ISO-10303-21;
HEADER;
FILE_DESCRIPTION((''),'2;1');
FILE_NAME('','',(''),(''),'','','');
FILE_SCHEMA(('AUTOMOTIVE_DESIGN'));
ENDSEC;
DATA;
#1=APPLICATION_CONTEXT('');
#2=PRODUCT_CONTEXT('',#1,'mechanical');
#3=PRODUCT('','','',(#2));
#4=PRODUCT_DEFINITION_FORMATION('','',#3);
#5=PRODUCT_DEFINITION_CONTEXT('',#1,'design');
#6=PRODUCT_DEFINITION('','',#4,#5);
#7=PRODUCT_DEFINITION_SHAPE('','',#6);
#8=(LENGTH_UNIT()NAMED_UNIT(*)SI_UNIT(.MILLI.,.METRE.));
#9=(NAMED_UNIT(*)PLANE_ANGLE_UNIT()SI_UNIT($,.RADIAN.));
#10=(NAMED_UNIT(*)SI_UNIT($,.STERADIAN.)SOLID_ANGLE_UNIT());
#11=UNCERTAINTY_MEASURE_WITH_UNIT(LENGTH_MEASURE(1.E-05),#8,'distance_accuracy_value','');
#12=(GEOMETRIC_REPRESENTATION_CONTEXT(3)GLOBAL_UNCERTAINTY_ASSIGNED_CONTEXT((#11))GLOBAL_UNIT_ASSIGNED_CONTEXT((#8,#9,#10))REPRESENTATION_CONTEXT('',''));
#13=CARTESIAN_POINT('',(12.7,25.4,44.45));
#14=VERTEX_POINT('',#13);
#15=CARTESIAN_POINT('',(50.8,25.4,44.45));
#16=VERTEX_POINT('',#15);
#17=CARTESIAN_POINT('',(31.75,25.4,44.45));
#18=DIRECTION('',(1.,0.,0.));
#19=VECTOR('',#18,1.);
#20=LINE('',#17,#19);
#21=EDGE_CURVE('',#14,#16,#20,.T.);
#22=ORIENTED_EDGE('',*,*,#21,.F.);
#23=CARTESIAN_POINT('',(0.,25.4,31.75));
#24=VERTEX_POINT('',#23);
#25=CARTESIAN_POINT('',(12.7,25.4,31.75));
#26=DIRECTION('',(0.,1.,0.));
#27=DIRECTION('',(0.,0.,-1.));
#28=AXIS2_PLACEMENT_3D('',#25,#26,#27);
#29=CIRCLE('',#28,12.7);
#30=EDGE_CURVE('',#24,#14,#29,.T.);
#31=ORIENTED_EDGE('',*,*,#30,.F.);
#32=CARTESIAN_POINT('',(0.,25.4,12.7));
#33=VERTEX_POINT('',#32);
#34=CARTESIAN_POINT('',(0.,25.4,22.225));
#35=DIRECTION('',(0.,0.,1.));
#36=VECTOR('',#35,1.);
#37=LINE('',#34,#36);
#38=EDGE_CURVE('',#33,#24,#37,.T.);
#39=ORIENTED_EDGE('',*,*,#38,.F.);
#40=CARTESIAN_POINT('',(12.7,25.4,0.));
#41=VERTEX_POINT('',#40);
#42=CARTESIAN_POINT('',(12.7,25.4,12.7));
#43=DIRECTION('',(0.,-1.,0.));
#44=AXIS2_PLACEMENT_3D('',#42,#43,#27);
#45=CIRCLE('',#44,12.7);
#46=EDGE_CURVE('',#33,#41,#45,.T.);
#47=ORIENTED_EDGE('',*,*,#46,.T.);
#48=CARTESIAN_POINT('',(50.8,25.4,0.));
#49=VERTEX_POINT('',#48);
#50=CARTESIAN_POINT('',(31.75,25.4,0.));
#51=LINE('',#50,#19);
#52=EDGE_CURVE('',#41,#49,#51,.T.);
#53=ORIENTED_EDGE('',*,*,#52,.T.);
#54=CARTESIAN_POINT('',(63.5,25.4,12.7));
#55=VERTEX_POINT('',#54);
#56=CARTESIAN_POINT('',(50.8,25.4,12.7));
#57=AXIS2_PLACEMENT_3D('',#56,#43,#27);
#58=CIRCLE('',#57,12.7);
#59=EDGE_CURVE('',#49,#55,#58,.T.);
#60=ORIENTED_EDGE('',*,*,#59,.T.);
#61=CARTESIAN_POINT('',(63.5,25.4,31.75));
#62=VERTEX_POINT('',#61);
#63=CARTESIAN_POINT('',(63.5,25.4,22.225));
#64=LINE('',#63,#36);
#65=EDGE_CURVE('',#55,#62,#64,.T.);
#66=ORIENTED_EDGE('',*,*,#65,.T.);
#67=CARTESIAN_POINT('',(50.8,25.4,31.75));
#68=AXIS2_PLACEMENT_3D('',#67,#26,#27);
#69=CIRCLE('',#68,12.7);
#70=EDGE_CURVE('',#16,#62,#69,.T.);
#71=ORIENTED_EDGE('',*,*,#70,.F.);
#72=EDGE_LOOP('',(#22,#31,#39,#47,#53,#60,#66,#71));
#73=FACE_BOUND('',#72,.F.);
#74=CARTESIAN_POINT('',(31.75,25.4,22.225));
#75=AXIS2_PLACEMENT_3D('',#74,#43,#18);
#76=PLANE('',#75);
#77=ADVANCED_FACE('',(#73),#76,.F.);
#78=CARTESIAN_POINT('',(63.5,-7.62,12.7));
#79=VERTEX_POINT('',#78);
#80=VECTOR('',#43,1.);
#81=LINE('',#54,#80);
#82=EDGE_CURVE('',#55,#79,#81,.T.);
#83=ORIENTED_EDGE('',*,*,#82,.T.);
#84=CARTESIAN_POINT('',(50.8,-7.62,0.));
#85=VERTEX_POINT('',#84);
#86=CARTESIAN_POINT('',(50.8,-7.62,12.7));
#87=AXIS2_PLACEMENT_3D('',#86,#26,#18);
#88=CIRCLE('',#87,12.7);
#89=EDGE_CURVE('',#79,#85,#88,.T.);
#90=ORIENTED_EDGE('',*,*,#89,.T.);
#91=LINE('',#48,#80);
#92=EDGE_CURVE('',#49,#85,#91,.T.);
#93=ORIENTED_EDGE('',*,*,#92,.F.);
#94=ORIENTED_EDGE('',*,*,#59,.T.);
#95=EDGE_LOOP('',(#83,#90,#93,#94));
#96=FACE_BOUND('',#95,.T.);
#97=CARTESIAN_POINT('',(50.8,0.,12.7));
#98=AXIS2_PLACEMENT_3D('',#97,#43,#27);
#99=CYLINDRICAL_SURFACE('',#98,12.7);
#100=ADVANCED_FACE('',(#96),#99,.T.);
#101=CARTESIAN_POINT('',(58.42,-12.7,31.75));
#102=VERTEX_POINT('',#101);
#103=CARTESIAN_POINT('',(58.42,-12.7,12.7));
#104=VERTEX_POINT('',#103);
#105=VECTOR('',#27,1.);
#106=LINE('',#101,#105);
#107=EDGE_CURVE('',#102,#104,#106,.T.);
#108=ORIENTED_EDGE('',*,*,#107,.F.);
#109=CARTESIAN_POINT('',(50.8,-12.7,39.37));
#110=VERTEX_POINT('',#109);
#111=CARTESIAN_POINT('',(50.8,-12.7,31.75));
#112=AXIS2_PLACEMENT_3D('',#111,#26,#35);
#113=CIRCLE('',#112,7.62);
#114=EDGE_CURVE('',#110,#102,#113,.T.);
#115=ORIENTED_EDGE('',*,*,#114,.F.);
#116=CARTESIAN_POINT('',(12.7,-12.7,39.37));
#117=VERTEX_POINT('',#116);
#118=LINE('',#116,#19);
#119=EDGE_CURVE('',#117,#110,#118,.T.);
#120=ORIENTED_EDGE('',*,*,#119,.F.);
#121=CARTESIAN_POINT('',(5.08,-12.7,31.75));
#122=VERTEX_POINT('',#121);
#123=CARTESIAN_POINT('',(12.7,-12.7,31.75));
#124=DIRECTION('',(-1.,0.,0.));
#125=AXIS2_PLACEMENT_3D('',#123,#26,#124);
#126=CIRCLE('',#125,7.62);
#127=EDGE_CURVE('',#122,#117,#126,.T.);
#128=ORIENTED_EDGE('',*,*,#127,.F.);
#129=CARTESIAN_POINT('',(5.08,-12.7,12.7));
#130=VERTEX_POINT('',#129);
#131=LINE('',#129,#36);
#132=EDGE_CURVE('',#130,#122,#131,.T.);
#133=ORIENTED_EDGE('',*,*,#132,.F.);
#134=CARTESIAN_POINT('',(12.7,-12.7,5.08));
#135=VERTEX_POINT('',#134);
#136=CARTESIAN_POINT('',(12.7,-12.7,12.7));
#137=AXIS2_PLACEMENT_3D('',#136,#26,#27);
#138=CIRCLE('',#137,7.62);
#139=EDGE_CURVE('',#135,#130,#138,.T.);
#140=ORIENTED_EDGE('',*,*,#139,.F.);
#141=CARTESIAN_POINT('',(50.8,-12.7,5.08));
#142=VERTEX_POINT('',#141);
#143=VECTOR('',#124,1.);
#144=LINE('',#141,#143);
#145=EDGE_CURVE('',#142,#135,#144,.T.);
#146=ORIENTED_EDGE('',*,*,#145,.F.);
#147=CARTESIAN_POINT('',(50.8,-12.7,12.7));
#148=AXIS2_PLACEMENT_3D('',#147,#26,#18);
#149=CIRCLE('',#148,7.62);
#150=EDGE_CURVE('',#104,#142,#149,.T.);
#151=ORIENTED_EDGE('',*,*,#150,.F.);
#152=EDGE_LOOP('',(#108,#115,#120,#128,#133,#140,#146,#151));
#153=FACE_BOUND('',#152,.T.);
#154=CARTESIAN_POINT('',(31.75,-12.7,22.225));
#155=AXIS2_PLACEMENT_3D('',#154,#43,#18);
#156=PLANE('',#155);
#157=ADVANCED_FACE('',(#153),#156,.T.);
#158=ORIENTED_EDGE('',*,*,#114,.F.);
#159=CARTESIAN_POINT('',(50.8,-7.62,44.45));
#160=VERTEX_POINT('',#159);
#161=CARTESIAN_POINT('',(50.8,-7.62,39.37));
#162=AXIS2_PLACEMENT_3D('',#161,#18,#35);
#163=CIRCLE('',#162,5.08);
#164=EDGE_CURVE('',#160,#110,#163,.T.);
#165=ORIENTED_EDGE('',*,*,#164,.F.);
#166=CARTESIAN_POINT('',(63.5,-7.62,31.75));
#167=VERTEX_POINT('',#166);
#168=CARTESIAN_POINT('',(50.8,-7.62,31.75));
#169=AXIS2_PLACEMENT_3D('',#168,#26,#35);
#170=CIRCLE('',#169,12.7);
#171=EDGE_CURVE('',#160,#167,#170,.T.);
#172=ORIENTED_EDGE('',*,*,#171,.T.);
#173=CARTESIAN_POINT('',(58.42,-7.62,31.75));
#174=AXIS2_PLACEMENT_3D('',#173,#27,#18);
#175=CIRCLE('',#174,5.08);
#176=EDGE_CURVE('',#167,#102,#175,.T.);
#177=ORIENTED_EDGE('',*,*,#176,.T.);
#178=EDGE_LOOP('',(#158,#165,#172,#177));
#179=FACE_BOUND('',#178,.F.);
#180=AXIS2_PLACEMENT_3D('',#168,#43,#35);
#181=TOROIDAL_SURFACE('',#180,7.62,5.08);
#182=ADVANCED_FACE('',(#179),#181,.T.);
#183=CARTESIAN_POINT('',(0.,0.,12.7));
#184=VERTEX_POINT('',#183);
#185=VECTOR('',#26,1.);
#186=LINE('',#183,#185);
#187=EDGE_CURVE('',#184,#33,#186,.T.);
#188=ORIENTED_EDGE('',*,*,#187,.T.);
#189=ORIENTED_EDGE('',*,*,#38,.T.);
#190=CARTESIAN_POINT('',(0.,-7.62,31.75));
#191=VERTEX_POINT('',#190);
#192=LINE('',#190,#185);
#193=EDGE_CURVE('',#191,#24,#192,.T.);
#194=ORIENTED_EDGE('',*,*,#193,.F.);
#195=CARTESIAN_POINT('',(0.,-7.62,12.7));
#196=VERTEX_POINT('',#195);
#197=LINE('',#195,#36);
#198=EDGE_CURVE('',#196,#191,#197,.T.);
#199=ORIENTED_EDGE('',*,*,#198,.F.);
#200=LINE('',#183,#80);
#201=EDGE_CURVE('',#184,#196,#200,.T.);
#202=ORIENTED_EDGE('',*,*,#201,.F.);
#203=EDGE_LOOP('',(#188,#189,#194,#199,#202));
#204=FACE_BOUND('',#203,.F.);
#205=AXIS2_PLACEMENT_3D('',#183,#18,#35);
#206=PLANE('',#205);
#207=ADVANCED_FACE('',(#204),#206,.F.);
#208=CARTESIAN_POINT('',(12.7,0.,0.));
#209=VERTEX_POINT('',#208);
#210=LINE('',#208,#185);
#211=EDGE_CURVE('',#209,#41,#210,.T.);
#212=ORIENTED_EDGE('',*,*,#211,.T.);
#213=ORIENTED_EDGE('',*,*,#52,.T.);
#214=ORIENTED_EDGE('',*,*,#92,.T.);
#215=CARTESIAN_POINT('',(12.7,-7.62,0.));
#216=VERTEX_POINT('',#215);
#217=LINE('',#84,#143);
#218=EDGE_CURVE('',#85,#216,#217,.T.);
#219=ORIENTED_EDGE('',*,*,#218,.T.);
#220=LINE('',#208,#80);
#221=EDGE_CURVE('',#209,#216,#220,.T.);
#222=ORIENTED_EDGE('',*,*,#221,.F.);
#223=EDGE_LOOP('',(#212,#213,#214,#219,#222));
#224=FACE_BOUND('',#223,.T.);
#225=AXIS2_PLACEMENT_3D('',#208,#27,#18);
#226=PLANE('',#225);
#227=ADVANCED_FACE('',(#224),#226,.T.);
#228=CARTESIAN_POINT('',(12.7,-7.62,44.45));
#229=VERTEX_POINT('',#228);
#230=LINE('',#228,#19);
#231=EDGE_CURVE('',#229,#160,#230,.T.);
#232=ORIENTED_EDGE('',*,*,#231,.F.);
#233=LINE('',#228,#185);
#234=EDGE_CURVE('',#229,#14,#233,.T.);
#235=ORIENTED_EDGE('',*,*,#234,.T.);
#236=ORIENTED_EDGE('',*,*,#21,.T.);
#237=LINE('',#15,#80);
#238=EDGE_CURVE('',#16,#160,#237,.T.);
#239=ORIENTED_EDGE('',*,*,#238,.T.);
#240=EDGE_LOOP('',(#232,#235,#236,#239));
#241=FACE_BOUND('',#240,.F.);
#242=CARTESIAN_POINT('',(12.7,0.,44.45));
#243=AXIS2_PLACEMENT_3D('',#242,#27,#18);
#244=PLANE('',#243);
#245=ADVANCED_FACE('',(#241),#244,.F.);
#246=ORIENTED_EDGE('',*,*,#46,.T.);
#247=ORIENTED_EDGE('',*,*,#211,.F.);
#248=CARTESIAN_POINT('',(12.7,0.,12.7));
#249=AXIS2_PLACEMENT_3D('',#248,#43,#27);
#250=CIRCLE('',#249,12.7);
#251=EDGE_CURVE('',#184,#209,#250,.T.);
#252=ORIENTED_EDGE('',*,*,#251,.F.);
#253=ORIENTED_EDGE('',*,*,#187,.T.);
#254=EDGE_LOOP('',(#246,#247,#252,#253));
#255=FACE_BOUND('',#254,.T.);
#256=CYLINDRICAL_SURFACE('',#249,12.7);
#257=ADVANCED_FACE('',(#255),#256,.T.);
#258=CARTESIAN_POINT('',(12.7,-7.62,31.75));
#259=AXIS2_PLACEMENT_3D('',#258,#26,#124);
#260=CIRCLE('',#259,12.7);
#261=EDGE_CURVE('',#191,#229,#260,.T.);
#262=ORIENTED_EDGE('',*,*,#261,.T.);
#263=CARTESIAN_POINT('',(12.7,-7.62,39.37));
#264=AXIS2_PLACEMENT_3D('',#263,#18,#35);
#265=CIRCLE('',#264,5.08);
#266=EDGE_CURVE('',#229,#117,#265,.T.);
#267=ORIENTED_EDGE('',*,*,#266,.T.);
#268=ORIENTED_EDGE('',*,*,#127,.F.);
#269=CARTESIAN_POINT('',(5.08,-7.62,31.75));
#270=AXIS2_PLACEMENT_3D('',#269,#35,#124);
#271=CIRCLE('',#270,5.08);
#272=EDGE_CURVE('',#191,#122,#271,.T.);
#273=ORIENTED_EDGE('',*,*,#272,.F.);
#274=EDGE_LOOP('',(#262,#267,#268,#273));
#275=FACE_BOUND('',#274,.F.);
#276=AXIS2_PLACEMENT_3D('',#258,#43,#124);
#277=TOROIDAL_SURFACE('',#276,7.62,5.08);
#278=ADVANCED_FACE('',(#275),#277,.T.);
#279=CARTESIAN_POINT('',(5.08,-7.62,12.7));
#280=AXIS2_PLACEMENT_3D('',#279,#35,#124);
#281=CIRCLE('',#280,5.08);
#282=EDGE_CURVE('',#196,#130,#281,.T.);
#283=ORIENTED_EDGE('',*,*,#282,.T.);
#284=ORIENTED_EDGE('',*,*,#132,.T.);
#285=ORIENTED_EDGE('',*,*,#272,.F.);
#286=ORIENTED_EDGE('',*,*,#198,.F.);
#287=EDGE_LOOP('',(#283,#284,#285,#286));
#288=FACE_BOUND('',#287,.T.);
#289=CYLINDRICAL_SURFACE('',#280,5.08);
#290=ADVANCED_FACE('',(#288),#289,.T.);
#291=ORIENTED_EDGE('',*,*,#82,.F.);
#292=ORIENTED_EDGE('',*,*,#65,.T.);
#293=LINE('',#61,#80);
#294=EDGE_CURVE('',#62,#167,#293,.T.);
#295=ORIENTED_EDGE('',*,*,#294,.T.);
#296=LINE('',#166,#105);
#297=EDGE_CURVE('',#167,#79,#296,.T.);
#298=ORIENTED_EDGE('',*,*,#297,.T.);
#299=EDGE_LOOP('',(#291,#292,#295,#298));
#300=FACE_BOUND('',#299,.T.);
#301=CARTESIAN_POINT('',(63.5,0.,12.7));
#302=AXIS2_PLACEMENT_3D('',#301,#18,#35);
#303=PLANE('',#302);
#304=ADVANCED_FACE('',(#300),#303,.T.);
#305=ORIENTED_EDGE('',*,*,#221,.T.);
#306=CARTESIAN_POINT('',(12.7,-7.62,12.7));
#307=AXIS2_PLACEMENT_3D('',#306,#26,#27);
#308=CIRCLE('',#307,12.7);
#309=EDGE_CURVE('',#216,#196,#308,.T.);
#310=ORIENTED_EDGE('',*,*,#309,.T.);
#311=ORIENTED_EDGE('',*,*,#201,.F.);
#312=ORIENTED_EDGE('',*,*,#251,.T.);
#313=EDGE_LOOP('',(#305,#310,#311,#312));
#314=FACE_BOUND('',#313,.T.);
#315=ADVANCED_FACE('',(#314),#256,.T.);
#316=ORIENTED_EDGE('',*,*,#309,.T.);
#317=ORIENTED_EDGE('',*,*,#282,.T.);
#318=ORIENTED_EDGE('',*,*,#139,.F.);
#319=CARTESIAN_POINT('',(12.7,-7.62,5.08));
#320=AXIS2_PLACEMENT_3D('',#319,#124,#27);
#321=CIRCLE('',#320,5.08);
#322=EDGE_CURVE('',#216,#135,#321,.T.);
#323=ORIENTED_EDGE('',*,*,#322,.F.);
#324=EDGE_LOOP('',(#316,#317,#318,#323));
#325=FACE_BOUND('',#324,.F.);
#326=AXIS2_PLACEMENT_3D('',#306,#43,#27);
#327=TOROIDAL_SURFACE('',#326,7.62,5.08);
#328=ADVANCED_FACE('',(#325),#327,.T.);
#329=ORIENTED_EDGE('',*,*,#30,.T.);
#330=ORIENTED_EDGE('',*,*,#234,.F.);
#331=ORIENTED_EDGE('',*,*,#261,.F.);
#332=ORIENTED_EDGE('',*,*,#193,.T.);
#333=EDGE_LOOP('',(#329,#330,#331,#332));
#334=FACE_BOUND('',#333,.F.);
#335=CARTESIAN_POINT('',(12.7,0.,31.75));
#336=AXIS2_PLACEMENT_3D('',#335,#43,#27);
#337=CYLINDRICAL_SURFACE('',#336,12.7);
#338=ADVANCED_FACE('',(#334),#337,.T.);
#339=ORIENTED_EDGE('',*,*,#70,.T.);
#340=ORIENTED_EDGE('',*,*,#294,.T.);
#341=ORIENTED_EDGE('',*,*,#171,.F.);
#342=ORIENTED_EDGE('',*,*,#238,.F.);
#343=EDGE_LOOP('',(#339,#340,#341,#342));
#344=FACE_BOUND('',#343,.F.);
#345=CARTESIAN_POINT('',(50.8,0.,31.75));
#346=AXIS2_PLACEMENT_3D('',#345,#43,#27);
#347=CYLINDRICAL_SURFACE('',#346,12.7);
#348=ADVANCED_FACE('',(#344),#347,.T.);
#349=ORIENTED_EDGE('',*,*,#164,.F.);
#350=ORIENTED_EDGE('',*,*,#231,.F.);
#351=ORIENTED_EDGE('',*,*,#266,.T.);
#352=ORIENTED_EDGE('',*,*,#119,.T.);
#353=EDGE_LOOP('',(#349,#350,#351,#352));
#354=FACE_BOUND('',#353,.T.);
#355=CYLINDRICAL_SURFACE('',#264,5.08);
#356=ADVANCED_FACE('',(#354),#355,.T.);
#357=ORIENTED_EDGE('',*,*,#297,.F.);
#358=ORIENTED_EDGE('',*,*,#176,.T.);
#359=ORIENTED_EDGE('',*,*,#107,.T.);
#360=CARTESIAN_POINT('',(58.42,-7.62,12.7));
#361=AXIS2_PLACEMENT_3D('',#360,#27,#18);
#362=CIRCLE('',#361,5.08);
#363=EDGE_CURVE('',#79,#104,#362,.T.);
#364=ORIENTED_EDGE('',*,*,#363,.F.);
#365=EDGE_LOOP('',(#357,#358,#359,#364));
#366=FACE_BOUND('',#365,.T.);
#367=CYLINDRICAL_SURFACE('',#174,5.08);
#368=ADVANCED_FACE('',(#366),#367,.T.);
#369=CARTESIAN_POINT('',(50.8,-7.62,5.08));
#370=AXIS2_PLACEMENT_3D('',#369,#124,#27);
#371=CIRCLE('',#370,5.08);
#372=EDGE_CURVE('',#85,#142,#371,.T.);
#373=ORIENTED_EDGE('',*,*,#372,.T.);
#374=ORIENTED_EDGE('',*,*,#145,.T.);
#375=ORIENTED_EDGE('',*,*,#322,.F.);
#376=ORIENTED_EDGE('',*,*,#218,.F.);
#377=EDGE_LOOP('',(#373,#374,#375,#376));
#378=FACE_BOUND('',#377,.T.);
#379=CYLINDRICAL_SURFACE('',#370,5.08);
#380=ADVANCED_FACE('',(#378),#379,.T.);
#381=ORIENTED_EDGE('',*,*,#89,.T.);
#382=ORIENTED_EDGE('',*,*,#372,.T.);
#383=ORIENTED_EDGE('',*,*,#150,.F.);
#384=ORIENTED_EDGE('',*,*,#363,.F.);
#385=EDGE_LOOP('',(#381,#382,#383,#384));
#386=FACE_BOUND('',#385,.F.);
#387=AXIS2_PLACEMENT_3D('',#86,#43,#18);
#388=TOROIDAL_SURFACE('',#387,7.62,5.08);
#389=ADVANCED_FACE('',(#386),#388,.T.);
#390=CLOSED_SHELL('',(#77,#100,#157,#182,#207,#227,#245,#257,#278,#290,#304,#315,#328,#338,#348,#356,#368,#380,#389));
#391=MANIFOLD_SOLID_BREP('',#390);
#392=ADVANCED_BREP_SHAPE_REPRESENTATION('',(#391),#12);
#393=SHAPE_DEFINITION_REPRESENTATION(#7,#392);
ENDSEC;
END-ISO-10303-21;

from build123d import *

# Parameters (mm, degrees)
F0_W     = 63.5
F0_H     = 44.45
F1_DEPTH = 12.7
F2_R     = 12.7
F3_R     = 12.7
F4_R     = 12.7
F5_R     = 12.7
F6_R     = 5.08
F7_DEPTH = 25.4


with BuildPart() as f1:
    # F0 (on Front) → F1 (new body)
    with BuildSketch(Plane.XZ):
        with Locations((31.75, 22.225)):
            Rectangle(F0_W, F0_H)
    extrude(amount=F1_DEPTH)

    # F2
    f2_edges = [f1.edges().sort_by_distance(p)[0] for p in [
        (0, -6.35, 44.45),
    ]]
    fillet(f2_edges, radius=F2_R)

    # F3
    f3_edges = [f1.edges().sort_by_distance(p)[0] for p in [
        (63.5, -6.35, 44.45),
    ]]
    fillet(f3_edges, radius=F3_R)

    # F4
    f4_edges = [f1.edges().sort_by_distance(p)[0] for p in [
        (0, -6.35, 0),
    ]]
    fillet(f4_edges, radius=F4_R)

    # F5
    f5_edges = [f1.edges().sort_by_distance(p)[0] for p in [
        (63.5, -6.35, 0),
    ]]
    fillet(f5_edges, radius=F5_R)

    # F6
    f6_edges = [f1.edges().sort_by_distance(p)[0] for p in [
        (59.780256, -12.7, 40.730256),
    ]]
    fillet(f6_edges, radius=F6_R)

    # F7 (add): a face of the model
    f7_faces = [f1.faces().sort_by_distance(p)[0] for p in [
        (31.75, 0, 22.225),
    ]]
    extrude(f7_faces, amount=F7_DEPTH)


solid = f1.part
